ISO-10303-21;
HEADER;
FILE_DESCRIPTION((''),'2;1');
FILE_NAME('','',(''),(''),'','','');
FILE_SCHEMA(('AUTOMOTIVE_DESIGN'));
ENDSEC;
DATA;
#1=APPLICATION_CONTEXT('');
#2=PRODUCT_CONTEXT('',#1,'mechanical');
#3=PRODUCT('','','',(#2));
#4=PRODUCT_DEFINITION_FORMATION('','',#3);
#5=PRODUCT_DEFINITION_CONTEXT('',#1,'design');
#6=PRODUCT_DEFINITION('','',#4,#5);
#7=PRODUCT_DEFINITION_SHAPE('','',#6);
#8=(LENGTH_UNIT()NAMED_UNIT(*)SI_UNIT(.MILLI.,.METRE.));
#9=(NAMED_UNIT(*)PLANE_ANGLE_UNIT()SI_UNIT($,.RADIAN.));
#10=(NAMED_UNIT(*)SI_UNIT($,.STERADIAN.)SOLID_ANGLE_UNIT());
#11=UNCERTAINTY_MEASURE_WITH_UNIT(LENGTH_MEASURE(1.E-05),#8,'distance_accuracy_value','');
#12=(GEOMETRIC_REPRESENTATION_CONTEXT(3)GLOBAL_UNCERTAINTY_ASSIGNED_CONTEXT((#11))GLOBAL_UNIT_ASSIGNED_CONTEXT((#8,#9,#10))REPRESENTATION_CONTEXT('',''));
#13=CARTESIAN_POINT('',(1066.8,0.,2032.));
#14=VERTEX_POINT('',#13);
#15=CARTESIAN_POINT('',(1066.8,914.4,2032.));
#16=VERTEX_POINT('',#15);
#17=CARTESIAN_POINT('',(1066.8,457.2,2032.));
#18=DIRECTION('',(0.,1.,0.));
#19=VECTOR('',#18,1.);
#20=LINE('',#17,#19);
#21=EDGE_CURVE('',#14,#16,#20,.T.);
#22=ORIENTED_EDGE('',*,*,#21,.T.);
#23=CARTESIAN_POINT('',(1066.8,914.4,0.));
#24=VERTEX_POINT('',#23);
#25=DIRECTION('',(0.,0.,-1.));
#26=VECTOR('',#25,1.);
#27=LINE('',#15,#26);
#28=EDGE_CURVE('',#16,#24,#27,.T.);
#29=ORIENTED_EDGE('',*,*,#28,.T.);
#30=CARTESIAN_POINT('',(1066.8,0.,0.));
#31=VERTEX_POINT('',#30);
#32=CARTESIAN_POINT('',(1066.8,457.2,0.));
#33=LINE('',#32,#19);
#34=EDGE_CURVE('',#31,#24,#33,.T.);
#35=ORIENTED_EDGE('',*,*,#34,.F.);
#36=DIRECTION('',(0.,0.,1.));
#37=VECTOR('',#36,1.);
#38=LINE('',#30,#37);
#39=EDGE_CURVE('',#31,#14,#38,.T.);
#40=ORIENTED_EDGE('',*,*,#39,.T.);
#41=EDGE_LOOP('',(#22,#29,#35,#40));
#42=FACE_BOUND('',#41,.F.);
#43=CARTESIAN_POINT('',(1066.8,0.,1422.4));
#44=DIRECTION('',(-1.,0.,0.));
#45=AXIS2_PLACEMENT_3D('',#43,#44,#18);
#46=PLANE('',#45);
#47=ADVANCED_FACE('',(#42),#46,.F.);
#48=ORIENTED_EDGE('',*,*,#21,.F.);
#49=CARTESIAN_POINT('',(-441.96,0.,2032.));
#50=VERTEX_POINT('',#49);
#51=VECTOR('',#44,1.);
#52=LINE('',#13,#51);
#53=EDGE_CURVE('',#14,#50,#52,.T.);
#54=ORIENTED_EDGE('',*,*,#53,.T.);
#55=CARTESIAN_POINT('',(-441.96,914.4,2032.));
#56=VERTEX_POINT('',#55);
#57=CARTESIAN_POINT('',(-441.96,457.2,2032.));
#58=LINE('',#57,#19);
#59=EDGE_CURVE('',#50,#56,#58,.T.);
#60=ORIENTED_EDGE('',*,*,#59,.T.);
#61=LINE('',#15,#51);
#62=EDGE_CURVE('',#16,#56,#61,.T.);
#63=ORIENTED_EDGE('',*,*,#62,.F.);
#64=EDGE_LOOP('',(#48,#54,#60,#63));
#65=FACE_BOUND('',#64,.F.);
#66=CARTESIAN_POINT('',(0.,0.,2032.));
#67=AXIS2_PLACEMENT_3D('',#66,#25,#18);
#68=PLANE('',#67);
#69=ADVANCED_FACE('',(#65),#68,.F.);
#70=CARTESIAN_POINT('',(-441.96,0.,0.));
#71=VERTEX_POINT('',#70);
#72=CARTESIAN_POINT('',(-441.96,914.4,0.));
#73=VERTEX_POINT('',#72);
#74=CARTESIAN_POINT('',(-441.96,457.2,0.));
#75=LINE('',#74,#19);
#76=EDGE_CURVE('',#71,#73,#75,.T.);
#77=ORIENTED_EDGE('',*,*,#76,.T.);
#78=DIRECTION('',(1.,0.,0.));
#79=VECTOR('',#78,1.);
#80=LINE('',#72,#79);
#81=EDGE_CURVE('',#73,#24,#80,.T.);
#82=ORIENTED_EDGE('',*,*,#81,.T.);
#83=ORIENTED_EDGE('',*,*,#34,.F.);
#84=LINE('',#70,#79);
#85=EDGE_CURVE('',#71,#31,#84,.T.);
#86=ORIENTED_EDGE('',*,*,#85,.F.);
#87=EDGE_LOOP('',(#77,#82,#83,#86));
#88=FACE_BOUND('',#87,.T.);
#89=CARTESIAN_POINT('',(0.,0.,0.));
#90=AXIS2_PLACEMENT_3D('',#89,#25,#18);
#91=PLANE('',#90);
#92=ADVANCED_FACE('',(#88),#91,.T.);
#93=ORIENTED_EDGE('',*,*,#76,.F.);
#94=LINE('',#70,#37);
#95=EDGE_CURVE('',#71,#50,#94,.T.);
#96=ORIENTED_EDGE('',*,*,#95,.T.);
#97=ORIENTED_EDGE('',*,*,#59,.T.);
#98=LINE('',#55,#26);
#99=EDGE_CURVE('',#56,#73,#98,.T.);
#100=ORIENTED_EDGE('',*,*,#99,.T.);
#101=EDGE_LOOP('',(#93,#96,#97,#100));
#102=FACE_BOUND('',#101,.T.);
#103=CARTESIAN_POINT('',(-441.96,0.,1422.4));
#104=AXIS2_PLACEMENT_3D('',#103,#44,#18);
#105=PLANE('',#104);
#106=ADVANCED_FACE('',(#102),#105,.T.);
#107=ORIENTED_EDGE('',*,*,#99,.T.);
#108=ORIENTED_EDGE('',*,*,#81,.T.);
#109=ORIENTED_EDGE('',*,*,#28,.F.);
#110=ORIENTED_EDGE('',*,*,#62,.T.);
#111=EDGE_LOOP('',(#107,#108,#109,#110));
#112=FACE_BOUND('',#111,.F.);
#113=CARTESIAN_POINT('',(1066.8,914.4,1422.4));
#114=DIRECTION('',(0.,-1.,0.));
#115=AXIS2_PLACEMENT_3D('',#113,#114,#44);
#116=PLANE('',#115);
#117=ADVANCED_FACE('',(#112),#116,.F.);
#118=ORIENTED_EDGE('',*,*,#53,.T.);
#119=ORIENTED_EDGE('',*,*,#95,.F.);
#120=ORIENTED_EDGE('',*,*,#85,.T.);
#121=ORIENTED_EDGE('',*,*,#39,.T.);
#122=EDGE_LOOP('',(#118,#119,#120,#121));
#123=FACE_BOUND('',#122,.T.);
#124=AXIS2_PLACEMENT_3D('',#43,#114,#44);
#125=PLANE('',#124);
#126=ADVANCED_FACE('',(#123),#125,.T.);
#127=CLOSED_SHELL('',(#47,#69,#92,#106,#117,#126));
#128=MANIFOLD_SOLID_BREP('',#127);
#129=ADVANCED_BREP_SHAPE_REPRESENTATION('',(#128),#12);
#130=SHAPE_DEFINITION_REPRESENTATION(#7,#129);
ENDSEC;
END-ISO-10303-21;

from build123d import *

# Parameters (mm, degrees)
F0_W     = 1066.8
F0_H     = 914.4
F1_DEPTH = 1778
F2_DEPTH = 441.96
F3_DEPTH = 355.6
F4_DEPTH = 609.6


with BuildPart() as f1:
    # F0 (on Top) → F1 (new body)
    with BuildSketch(Plane.XY):
        with Locations((533.4, 457.2)):
            Rectangle(F0_W, F0_H)
    extrude(amount=F1_DEPTH)

    # F2 (add): a face of the model
    f2_faces = [f1.faces().sort_by_distance(p)[0] for p in [
        (0, 457.2, 889),
    ]]
    extrude(f2_faces, amount=F2_DEPTH)

    # F3 (cut): a face of the model
    f3_faces = [f1.faces().sort_by_distance(p)[0] for p in [
        (312.42, 457.2, 1778),
    ]]
    extrude(f3_faces, amount=-F3_DEPTH, mode=Mode.SUBTRACT)

    # F4 (add): a face of the model
    f4_faces = [f1.faces().sort_by_distance(p)[0] for p in [
        (312.42, 457.2, 1422.4),
    ]]
    extrude(f4_faces, amount=F4_DEPTH)


solid = f1.part
